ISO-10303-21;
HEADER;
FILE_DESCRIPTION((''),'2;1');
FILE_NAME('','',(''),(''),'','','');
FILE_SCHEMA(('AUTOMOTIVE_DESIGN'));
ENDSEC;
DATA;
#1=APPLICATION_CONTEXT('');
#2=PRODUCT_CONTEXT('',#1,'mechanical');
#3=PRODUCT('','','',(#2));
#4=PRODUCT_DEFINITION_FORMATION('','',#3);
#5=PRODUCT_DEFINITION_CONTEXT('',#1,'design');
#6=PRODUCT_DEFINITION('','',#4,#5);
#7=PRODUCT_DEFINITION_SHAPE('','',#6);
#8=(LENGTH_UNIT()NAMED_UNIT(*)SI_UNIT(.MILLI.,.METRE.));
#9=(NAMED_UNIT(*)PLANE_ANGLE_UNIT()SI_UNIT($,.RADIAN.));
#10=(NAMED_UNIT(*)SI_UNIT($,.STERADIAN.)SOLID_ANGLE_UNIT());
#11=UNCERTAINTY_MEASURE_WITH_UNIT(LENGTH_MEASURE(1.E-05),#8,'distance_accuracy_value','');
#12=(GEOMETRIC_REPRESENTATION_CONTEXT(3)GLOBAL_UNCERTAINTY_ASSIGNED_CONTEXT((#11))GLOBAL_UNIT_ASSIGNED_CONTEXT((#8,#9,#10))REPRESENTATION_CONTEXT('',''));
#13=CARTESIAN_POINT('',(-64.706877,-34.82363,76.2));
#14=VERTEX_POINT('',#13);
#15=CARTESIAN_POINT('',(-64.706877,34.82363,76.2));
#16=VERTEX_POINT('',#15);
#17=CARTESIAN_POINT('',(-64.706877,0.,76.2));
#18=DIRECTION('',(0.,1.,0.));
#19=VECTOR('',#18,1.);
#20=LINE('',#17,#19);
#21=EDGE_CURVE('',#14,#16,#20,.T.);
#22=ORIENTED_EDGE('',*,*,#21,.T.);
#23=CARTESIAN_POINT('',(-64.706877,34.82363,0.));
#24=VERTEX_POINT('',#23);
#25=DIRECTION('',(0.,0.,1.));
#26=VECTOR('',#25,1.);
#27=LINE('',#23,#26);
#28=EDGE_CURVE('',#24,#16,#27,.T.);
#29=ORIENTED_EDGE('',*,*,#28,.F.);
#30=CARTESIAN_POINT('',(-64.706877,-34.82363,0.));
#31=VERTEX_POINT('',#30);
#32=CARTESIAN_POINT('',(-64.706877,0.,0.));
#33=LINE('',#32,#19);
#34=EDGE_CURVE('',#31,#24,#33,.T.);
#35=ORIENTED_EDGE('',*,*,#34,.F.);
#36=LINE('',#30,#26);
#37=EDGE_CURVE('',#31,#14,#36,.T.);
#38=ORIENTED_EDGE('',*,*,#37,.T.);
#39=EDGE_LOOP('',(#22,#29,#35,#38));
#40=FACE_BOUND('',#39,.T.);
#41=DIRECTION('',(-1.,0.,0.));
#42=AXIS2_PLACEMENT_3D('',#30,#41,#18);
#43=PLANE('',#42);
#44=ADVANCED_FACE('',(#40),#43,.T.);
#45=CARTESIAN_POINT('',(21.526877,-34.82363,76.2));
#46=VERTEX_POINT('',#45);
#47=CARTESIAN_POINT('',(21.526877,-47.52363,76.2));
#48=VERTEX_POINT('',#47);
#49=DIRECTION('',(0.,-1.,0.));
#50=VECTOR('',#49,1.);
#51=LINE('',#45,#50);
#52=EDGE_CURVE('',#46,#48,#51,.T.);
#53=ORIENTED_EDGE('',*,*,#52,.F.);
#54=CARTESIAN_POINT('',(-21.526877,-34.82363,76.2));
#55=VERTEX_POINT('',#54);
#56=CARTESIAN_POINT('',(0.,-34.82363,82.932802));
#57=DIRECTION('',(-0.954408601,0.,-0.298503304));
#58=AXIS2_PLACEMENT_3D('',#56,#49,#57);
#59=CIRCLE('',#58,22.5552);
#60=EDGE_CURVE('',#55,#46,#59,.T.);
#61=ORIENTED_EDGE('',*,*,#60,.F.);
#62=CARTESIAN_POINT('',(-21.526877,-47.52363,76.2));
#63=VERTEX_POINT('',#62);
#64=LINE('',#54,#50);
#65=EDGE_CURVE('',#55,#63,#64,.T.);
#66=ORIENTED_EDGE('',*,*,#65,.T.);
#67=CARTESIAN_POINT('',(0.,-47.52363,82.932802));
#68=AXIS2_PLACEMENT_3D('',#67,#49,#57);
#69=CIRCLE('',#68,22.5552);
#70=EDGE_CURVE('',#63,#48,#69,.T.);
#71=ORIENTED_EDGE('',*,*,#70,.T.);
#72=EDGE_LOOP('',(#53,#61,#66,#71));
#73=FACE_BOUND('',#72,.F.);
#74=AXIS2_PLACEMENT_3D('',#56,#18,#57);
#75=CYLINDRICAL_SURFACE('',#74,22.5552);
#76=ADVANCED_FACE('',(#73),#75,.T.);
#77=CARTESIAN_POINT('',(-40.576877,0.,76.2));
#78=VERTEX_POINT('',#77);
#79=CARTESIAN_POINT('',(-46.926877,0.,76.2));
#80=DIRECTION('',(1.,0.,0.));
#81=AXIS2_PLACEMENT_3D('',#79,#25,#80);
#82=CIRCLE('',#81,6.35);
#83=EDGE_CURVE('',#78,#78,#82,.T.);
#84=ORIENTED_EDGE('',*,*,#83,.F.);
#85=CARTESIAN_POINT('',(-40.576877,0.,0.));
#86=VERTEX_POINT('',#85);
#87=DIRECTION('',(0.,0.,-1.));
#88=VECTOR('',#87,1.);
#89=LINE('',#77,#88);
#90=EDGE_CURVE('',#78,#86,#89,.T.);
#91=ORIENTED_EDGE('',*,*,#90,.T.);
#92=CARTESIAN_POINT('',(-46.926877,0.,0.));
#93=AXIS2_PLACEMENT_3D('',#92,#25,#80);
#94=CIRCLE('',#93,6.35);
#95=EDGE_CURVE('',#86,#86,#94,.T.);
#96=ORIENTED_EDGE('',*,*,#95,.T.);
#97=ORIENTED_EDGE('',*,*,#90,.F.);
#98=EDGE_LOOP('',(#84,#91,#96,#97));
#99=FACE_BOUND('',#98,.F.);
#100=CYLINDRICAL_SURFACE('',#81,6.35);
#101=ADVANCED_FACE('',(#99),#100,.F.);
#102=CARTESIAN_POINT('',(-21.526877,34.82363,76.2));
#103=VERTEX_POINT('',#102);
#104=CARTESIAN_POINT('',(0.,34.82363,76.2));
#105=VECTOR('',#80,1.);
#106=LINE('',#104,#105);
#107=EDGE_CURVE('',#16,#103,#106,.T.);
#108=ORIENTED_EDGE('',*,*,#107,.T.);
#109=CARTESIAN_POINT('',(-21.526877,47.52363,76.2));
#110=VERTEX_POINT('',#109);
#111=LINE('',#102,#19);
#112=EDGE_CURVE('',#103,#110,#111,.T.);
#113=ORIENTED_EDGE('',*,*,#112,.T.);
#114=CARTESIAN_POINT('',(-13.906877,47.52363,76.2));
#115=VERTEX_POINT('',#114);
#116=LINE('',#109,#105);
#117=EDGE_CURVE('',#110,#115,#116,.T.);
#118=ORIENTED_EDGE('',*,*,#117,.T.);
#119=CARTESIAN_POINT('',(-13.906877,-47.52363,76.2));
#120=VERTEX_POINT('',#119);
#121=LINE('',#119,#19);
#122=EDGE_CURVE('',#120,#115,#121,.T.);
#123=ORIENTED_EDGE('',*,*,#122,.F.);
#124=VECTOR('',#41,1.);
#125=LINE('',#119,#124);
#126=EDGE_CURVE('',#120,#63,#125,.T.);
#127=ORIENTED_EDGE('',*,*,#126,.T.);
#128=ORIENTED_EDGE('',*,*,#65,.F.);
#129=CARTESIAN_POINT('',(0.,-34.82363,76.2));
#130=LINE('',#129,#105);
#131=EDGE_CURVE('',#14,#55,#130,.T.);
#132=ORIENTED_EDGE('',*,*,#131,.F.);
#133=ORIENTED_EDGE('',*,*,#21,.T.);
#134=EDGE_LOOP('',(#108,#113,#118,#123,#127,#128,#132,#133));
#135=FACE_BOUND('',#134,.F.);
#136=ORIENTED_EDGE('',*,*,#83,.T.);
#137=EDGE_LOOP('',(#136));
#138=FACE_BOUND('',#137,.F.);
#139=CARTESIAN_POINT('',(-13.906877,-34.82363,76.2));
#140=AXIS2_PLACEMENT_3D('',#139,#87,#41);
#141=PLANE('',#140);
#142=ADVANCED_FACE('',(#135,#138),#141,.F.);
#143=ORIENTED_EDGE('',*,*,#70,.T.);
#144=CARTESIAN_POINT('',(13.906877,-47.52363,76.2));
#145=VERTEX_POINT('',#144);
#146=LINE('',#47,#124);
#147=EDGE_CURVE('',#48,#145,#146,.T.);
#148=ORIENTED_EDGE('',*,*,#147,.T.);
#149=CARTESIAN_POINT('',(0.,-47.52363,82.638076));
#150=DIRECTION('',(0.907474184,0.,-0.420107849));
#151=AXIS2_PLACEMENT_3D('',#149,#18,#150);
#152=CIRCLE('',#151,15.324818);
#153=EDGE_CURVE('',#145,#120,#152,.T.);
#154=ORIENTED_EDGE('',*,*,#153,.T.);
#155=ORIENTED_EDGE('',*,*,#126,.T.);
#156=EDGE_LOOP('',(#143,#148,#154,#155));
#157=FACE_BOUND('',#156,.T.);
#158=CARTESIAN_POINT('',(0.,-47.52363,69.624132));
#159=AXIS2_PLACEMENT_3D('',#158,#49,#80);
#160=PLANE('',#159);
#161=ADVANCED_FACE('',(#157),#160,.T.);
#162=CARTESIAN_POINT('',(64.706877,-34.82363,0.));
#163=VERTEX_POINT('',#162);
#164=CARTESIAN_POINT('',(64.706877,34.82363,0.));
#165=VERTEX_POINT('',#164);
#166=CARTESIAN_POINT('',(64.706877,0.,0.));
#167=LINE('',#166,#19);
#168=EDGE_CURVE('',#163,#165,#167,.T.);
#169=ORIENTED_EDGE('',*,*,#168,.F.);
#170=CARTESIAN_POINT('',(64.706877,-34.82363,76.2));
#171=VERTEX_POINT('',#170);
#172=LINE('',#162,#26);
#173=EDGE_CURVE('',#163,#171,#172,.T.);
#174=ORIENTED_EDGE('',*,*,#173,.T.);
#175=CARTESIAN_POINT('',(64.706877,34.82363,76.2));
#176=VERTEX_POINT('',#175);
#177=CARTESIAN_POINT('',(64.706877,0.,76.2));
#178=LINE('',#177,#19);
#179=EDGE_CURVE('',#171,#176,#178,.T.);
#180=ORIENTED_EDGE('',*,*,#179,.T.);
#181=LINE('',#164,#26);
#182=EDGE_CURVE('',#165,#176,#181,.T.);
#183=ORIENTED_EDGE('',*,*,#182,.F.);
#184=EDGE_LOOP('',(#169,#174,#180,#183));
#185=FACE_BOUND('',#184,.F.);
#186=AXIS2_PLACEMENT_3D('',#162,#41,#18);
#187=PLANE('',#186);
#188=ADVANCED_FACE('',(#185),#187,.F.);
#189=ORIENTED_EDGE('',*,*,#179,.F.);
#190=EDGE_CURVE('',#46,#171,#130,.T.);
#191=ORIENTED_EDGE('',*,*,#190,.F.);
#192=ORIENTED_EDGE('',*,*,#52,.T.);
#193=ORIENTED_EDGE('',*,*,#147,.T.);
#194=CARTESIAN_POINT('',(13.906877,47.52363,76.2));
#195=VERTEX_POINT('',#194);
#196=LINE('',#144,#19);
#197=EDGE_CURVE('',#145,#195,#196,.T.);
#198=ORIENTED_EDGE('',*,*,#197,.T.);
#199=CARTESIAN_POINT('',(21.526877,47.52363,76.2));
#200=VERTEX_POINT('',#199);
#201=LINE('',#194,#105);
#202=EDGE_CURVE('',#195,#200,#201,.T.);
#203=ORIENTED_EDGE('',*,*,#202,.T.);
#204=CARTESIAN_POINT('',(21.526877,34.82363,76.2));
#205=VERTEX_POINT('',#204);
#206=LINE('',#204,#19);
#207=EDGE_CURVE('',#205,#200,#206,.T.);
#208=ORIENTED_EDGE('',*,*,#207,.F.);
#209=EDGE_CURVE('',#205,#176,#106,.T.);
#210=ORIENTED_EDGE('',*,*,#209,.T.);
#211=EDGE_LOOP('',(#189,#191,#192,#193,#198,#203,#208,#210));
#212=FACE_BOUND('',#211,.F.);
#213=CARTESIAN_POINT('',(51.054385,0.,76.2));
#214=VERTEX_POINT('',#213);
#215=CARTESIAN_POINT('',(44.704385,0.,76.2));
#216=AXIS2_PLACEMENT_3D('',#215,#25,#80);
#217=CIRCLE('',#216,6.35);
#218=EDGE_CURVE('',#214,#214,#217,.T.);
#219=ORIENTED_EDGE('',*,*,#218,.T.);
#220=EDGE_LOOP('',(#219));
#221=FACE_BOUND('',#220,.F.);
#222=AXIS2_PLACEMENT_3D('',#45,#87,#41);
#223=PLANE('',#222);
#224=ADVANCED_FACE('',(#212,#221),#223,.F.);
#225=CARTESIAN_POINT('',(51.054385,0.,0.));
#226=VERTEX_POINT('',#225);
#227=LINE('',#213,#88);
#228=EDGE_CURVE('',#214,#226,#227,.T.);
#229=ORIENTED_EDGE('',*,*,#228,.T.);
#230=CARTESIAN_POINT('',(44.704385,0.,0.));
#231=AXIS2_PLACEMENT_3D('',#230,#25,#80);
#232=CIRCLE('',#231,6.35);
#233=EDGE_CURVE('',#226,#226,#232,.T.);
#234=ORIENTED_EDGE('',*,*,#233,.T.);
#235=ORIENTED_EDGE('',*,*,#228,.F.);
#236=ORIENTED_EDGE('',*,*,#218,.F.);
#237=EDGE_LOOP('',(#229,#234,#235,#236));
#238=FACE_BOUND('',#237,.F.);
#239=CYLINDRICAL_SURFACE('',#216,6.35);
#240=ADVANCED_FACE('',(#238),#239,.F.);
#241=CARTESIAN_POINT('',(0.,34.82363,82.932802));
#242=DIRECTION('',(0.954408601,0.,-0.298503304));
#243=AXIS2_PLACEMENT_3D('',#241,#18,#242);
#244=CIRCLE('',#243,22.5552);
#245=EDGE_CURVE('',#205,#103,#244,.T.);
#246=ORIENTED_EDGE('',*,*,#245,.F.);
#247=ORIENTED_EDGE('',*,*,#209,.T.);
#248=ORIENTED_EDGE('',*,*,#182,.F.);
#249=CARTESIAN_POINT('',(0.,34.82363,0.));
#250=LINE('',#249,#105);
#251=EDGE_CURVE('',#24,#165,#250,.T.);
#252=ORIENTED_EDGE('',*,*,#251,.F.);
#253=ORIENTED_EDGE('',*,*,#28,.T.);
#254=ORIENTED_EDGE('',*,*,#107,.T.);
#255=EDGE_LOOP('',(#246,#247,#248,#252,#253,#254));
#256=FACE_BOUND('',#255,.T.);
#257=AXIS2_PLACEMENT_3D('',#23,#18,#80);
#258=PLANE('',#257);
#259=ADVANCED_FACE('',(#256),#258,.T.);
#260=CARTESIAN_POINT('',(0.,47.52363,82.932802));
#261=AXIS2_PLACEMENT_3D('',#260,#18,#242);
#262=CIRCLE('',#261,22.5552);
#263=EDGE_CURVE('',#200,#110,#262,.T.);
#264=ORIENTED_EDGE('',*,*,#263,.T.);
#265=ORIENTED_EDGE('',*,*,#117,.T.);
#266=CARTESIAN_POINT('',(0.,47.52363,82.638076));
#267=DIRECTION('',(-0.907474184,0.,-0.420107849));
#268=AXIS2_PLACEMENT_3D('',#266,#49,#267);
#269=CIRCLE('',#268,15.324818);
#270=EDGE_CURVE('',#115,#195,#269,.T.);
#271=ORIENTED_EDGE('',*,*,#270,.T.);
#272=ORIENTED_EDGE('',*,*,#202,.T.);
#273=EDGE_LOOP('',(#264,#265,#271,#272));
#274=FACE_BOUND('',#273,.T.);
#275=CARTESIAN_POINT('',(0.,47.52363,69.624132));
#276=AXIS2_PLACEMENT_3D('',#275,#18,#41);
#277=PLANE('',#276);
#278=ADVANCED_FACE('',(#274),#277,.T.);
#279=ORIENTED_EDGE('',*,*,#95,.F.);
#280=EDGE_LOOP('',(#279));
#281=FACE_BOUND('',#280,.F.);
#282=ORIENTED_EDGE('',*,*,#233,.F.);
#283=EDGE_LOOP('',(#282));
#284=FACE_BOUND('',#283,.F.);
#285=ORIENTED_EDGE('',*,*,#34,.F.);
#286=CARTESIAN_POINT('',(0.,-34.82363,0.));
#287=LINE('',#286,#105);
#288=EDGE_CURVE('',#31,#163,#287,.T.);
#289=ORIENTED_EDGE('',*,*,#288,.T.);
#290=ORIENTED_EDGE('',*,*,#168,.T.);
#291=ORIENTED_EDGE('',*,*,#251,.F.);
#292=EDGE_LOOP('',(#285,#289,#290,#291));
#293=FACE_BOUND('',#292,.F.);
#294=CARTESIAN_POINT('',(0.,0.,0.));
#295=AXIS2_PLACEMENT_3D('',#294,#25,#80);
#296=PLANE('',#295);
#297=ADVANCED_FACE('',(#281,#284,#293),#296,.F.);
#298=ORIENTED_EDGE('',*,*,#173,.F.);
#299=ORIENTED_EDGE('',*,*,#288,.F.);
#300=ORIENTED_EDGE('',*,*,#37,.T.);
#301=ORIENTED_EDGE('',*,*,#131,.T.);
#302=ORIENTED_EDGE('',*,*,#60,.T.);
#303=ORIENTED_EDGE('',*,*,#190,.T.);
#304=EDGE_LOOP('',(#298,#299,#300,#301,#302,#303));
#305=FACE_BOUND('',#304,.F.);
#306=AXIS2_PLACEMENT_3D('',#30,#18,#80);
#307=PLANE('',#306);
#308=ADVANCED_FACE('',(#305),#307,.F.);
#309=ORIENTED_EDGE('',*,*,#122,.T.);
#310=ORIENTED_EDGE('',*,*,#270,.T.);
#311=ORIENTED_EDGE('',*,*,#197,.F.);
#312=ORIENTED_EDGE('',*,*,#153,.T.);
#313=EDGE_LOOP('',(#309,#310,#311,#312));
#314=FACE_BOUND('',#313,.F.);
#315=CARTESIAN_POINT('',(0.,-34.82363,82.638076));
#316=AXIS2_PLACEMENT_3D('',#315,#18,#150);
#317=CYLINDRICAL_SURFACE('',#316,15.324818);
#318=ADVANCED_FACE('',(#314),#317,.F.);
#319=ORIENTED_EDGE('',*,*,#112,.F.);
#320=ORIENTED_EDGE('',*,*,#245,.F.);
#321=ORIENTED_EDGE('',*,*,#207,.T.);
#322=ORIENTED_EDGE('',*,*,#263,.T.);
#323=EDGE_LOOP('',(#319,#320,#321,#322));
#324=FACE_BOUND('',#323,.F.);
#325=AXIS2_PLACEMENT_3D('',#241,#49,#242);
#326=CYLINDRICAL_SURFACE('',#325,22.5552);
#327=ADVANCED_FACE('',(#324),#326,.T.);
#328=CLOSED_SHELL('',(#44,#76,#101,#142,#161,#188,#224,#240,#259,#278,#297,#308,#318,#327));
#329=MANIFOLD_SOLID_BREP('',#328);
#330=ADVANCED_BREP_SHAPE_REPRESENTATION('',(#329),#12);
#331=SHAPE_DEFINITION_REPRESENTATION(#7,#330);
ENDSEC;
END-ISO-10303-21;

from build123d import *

# Parameters (mm, degrees)
F0_W     = 129.4137537479
F0_H     = 69.6472600102
F1_DEPTH = 76.2
F3_DEPTH = 12.7
F4_DEPTH = 127
F6_DEPTH = 12.7
F7_R     = 6.35
F8_DEPTH = 127


with BuildPart() as f1:
    # F0 (on Top) → F1 (new body)
    with BuildSketch(Plane.XY):
        Rectangle(F0_W, F0_H)
    extrude(amount=F1_DEPTH)

    # F2 (on face) → F3 (join)
    with BuildSketch(Plane(origin=(0, 34.8236300051, 0), x_dir=(-1, 0, 0), z_dir=(0, 1, 0))):
        with BuildLine():
            Line((-13.906876874, 76.2), (-21.526876874, 76.2))
            ThreePointArc((-21.526876874, 76.2), (0, 60.3776017268), (21.526876874, 76.2))
            Line((21.526876874, 76.2), (13.906876874, 76.2))
            ThreePointArc((13.906876874, 76.2), (0, 67.3132582233), (-13.906876874, 76.2))
        make_face()
    extrude(amount=F3_DEPTH)

    # F2 (on face) → F4 (cut)
    with BuildSketch(Plane(origin=(0, 34.8236300051, 0), x_dir=(-1, 0, 0), z_dir=(0, 1, 0))):
        with BuildLine():
            Line((13.906876874, 76.2), (-13.906876874, 76.2))
            ThreePointArc((-13.906876874, 76.2), (0, 67.3132582233), (13.906876874, 76.2))
        make_face()
    extrude(amount=-F4_DEPTH, mode=Mode.SUBTRACT)

    # F5 (on face) → F6 (join)
    with BuildSketch(Plane.XZ.offset(34.8236300051)):
        with BuildLine():
            Line((-13.906876874, 76.2), (-21.526876874, 76.2))
            ThreePointArc((-21.526876874, 76.2), (0, 60.3776017268), (21.526876874, 76.2))
            Line((21.526876874, 76.2), (13.906876874, 76.2))
            ThreePointArc((13.906876874, 76.2), (0, 67.3132582233), (-13.906876874, 76.2))
        make_face()
    extrude(amount=F6_DEPTH)

    # F7 (on face) → F8 (cut)
    with BuildSketch(Plane.XY.offset(76.2)):
        with Locations((-46.926876874, 0)):
            Circle(F7_R)
        with Locations((44.7043851018, 0)):
            Circle(F7_R)
    extrude(amount=-F8_DEPTH, mode=Mode.SUBTRACT)


solid = f1.part
